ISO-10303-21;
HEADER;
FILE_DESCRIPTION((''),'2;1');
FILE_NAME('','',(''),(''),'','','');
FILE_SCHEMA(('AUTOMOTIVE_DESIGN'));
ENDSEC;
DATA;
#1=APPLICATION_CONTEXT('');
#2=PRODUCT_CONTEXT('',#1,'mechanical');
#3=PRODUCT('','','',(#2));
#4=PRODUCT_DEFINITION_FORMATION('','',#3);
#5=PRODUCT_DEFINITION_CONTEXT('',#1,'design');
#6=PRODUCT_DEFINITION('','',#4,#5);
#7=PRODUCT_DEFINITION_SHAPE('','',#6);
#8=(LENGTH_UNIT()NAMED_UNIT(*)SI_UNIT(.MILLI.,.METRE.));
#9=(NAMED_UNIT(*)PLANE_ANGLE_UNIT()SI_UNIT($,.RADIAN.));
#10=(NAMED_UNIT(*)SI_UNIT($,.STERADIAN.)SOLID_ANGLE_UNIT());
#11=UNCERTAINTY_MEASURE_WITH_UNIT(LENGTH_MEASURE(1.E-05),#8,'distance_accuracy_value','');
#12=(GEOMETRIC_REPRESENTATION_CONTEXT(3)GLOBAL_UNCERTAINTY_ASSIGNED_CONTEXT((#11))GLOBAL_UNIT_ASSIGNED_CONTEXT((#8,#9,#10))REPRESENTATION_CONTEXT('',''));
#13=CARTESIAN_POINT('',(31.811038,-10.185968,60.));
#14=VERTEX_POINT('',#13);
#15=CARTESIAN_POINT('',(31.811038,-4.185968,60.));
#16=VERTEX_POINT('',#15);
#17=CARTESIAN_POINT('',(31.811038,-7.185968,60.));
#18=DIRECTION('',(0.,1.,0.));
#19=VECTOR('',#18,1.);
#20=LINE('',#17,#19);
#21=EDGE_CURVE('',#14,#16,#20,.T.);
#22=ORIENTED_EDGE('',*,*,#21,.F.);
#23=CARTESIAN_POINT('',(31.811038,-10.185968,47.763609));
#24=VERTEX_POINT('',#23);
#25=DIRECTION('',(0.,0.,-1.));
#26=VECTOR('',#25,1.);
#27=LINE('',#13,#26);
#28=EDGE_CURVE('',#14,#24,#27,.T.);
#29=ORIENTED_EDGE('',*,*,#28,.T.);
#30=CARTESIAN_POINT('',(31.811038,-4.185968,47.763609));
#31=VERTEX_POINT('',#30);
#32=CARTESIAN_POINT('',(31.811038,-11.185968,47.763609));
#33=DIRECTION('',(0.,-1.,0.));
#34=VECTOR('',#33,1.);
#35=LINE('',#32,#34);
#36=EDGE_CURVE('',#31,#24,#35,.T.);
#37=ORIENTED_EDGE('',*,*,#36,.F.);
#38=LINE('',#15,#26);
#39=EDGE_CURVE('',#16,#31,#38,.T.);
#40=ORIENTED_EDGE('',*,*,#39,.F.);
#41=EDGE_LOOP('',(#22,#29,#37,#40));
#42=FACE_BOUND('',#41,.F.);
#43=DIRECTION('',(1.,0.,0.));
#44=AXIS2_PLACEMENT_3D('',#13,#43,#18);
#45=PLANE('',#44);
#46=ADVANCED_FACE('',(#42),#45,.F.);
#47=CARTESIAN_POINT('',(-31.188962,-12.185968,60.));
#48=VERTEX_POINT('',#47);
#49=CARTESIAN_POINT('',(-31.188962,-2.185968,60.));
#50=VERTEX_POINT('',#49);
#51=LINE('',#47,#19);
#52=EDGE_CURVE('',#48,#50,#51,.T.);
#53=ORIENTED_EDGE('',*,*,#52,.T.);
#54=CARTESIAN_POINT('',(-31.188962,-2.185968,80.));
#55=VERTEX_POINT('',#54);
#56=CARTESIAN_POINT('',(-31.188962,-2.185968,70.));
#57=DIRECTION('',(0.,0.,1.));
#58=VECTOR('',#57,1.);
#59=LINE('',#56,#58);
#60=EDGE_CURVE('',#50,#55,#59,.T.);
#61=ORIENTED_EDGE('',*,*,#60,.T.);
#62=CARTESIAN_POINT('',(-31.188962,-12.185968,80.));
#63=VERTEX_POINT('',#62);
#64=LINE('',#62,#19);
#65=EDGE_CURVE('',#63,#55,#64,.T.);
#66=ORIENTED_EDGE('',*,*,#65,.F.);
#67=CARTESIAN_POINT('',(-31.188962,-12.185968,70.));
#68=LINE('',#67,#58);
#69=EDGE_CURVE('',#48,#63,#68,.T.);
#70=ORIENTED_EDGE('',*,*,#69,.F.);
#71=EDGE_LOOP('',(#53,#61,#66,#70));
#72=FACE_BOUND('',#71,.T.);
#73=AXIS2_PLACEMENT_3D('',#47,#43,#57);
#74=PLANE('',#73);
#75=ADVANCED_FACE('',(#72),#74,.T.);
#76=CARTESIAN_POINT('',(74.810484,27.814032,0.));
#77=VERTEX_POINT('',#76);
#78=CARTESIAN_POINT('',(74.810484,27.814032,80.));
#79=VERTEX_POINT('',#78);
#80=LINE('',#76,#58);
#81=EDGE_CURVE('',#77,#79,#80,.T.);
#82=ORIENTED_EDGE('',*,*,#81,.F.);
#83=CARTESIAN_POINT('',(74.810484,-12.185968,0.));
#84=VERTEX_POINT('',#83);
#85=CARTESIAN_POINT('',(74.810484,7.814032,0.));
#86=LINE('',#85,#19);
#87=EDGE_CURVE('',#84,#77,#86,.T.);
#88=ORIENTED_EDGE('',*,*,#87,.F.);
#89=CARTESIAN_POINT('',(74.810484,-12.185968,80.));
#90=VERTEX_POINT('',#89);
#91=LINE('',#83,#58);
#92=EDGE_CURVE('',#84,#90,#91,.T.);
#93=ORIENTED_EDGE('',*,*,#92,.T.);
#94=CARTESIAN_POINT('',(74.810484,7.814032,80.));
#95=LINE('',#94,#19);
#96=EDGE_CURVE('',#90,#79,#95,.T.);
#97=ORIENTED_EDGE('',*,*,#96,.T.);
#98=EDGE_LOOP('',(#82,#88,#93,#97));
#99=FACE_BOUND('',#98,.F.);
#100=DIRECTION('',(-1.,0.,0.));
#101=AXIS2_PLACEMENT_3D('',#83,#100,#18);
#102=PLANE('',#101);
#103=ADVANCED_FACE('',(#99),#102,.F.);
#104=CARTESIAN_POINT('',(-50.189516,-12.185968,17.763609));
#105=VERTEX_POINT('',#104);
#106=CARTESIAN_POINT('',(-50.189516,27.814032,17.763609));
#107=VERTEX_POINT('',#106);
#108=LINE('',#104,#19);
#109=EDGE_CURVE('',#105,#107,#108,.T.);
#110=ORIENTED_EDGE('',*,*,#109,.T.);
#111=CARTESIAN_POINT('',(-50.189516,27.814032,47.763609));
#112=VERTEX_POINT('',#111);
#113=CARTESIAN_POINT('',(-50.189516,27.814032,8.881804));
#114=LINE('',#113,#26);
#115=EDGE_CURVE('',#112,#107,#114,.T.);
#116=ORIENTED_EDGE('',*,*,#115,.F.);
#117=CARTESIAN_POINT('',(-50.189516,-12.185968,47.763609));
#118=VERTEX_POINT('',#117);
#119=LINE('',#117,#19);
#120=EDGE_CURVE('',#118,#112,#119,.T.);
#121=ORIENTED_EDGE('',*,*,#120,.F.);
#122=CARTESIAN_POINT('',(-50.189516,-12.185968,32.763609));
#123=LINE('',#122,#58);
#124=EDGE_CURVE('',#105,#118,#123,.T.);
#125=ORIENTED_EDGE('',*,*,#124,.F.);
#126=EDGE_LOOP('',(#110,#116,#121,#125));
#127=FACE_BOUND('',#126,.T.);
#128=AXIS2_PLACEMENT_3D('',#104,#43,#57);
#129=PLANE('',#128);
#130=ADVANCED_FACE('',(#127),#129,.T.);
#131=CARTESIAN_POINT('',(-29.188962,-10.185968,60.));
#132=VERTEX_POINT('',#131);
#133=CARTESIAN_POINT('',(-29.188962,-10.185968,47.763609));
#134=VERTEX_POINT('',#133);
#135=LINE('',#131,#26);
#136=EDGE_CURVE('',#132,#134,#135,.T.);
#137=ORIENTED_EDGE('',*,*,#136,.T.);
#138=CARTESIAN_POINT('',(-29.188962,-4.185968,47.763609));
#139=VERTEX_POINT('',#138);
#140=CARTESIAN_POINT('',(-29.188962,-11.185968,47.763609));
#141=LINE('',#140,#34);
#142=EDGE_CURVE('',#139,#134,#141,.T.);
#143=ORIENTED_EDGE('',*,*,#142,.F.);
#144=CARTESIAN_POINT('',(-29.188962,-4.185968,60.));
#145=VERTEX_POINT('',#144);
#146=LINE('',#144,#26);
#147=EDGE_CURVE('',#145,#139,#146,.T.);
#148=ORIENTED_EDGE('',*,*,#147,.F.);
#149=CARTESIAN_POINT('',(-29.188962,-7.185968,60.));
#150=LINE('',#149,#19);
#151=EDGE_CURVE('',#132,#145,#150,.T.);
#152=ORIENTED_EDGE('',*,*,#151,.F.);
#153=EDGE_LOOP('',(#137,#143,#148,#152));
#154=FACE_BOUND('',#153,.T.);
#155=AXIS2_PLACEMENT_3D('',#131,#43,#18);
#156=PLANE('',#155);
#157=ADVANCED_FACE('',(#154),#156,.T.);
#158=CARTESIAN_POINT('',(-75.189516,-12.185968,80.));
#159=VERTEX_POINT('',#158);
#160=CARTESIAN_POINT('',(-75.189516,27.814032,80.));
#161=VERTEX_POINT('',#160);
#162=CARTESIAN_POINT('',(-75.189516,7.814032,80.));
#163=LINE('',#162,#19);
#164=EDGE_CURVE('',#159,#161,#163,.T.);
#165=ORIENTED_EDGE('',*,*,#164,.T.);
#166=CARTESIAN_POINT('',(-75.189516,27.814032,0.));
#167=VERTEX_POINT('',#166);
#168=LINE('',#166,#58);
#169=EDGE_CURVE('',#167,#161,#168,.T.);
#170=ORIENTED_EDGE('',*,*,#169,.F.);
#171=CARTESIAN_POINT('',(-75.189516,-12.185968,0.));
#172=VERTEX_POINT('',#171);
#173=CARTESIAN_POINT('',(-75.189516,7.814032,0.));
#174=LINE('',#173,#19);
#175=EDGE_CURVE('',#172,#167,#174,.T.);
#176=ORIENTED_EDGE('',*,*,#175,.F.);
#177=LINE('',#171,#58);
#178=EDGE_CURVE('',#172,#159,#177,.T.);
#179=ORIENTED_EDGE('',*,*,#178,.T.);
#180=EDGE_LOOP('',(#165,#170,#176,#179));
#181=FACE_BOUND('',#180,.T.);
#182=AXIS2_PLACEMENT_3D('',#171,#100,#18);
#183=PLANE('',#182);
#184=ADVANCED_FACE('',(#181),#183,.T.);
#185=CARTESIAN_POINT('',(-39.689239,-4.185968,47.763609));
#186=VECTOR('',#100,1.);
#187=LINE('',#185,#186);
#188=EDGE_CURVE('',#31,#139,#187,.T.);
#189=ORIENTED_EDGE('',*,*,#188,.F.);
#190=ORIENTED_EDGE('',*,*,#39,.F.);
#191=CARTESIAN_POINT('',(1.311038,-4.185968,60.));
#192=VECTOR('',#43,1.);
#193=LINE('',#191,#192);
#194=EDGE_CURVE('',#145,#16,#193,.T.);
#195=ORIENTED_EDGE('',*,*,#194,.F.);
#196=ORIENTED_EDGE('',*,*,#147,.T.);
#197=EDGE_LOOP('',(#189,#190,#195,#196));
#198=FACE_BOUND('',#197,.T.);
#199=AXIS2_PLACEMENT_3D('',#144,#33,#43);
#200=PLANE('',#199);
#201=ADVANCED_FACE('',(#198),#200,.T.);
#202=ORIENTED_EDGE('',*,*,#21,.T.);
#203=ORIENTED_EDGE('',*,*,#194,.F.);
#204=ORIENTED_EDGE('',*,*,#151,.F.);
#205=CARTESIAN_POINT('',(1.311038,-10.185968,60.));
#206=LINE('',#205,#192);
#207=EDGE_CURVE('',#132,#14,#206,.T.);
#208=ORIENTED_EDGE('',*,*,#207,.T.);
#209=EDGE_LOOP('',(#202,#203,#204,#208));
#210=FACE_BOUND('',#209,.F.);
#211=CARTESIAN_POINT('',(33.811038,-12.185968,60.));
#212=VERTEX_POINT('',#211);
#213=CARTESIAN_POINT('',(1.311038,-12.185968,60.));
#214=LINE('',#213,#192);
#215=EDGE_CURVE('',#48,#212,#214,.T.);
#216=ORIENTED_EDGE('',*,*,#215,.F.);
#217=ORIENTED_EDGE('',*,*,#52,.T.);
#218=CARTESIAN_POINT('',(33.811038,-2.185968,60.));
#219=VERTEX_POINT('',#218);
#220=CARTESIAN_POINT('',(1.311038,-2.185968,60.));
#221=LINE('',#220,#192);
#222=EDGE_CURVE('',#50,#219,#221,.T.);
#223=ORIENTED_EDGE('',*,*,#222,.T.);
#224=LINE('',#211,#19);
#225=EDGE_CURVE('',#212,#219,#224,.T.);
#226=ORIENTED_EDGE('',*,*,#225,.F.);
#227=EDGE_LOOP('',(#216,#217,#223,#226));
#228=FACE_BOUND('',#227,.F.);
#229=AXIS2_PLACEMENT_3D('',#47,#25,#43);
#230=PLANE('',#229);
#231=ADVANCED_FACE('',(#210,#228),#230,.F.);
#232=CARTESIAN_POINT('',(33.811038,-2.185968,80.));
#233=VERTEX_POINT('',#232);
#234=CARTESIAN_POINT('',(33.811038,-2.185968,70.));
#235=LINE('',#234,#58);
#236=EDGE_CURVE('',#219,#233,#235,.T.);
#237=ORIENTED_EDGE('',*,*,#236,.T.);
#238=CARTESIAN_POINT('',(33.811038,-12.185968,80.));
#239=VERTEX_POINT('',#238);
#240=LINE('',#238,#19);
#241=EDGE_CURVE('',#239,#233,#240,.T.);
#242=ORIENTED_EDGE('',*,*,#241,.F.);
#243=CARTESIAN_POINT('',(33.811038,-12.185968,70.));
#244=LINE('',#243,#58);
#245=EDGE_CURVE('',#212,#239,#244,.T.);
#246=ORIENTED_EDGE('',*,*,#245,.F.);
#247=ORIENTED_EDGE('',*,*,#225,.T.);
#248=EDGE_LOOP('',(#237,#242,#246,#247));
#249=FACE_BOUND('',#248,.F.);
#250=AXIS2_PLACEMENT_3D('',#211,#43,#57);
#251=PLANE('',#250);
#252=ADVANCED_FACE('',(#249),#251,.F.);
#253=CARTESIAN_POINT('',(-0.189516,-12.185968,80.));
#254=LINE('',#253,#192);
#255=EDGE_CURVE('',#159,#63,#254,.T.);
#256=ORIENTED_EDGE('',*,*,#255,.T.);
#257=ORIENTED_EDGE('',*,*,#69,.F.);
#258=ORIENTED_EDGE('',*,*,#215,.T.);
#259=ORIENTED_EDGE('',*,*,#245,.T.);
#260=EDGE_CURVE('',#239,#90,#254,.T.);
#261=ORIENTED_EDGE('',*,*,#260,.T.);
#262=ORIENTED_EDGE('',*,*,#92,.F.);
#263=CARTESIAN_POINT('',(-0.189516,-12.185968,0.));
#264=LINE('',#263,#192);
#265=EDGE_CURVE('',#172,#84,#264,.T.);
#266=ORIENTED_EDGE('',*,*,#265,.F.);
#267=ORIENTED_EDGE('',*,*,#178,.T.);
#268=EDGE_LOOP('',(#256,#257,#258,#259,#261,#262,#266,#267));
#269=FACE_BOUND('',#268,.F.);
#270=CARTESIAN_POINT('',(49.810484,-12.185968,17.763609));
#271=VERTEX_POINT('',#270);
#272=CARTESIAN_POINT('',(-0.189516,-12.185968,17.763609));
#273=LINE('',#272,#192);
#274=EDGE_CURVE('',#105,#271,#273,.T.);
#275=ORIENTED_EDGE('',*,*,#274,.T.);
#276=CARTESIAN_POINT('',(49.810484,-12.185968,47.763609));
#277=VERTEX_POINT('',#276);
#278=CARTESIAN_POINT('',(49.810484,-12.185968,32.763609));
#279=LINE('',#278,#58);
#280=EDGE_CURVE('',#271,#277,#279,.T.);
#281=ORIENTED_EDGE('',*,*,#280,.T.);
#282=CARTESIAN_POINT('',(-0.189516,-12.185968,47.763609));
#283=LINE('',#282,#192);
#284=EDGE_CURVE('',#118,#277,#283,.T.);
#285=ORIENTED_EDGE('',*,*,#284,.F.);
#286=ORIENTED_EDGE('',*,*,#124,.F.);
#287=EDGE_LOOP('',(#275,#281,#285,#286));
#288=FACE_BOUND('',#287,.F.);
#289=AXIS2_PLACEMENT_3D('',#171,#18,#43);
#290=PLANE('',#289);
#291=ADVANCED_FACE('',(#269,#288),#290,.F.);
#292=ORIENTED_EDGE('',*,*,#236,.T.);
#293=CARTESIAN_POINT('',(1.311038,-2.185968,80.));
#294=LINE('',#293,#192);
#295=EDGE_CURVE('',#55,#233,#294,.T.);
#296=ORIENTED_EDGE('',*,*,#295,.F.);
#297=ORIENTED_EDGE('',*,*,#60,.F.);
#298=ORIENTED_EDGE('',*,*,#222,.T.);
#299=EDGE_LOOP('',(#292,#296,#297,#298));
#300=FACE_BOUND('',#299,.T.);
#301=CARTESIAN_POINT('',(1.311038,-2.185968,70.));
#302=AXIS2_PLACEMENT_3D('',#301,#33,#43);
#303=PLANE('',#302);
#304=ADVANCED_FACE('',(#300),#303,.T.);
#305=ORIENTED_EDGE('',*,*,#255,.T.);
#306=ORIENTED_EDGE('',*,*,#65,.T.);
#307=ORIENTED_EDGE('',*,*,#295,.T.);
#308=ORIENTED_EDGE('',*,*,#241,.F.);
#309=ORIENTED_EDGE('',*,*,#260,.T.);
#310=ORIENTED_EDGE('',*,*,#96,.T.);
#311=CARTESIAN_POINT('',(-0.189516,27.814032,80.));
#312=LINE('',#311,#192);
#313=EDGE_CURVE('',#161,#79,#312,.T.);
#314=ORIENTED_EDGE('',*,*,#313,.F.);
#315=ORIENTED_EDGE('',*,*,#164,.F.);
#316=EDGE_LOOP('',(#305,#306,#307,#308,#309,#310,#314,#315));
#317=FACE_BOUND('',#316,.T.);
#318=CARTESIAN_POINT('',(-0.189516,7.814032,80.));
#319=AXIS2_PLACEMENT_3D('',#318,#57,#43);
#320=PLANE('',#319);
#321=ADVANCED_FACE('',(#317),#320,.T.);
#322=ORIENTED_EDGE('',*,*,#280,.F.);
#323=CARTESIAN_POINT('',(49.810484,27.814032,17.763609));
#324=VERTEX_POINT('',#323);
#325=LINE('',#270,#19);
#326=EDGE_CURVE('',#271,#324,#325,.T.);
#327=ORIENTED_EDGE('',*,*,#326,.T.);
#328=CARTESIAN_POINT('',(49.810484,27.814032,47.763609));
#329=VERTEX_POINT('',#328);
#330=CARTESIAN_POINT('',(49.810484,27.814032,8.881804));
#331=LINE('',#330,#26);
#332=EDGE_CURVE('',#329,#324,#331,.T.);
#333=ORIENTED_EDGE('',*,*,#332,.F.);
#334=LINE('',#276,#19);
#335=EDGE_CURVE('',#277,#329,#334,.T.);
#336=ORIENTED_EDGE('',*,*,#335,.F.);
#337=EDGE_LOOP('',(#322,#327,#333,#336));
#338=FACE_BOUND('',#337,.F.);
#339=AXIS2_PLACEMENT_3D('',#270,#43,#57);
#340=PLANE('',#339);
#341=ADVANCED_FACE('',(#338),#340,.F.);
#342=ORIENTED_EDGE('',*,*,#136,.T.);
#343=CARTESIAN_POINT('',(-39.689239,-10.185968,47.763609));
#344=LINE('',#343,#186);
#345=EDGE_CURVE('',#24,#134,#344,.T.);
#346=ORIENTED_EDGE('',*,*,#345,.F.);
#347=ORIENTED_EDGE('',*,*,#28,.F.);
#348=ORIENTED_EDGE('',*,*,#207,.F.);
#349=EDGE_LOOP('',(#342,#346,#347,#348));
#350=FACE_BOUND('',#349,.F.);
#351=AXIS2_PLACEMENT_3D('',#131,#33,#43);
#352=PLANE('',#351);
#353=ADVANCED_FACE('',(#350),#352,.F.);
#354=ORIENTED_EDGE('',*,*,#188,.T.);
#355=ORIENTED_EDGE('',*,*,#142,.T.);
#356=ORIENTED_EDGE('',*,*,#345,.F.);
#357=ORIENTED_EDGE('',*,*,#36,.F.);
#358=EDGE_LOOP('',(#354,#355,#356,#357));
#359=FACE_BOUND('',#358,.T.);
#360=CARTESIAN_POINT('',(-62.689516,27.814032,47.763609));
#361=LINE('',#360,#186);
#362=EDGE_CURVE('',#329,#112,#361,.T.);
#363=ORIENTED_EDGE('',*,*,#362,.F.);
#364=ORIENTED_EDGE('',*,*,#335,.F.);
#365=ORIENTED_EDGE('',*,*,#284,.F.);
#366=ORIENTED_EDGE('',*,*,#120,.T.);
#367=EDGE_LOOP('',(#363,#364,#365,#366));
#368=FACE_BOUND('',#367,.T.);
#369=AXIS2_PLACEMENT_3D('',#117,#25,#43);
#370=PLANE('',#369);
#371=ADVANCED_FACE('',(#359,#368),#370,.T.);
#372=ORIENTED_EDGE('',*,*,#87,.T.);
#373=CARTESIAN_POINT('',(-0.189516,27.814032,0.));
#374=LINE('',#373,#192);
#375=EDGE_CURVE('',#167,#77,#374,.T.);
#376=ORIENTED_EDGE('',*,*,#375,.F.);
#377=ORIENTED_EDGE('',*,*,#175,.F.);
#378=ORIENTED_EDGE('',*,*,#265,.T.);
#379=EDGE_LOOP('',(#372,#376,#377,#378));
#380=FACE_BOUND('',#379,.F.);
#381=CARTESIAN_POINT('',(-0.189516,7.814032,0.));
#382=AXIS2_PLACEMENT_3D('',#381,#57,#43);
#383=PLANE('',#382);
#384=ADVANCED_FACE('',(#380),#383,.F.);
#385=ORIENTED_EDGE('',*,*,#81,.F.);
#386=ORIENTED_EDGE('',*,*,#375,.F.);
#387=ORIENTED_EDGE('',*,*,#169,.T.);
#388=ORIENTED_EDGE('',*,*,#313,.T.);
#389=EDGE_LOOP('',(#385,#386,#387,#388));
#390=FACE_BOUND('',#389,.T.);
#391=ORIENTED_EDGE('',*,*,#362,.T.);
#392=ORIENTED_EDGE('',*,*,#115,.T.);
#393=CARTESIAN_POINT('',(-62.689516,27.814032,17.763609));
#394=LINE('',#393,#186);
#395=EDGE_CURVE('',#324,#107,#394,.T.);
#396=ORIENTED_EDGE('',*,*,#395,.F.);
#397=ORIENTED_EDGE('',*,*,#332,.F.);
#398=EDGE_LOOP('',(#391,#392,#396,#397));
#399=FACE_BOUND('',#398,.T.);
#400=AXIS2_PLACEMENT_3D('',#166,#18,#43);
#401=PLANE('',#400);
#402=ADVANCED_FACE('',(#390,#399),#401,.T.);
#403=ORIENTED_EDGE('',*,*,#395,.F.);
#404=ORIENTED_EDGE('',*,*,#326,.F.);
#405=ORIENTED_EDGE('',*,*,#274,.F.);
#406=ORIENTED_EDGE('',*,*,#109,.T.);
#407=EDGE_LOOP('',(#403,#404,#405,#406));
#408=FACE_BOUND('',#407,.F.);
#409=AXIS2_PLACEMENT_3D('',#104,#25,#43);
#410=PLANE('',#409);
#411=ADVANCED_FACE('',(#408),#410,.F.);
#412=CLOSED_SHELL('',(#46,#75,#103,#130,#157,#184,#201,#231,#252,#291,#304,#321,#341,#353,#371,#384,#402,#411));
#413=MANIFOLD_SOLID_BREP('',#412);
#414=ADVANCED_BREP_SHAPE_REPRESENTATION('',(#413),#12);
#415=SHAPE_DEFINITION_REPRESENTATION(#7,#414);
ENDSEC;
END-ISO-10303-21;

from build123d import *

# Parameters (mm, degrees)
F0_W     = 150
F0_H     = 40
F1_DEPTH = 80
F2_W     = 65
F2_H     = 20
F3_DEPTH = 10
F4_W     = 100
F4_H     = 30
F5_DEPTH = 87.2
F6_W     = 61
F6_H     = 6
F7_DEPTH = 25


with BuildPart() as f1:
    # F0 (on Top) → F1 (new body)
    with BuildSketch(Plane.XY):
        with Locations((-0.189516, 7.814032)):
            Rectangle(F0_W, F0_H)
    extrude(amount=F1_DEPTH)

    # F2 (on face) → F3 (cut)
    with BuildSketch(Plane.XZ.offset(12.185968)):
        with Locations((1.311038, 70)):
            Rectangle(F2_W, F2_H)
    extrude(amount=-F3_DEPTH, mode=Mode.SUBTRACT)

    # F4 (on face) → F5 (cut)
    with BuildSketch(Plane.XZ.offset(12.185968)):
        with Locations((-0.189516, 32.763609)):
            Rectangle(F4_W, F4_H)
    extrude(amount=-F5_DEPTH, mode=Mode.SUBTRACT)

    # F6 (on face) → F7 (cut)
    with BuildSketch(Plane.XY.offset(60)):
        with Locations((1.311038, -7.185968)):
            Rectangle(F6_W, F6_H)
    extrude(amount=-F7_DEPTH, mode=Mode.SUBTRACT)


solid = f1.part
